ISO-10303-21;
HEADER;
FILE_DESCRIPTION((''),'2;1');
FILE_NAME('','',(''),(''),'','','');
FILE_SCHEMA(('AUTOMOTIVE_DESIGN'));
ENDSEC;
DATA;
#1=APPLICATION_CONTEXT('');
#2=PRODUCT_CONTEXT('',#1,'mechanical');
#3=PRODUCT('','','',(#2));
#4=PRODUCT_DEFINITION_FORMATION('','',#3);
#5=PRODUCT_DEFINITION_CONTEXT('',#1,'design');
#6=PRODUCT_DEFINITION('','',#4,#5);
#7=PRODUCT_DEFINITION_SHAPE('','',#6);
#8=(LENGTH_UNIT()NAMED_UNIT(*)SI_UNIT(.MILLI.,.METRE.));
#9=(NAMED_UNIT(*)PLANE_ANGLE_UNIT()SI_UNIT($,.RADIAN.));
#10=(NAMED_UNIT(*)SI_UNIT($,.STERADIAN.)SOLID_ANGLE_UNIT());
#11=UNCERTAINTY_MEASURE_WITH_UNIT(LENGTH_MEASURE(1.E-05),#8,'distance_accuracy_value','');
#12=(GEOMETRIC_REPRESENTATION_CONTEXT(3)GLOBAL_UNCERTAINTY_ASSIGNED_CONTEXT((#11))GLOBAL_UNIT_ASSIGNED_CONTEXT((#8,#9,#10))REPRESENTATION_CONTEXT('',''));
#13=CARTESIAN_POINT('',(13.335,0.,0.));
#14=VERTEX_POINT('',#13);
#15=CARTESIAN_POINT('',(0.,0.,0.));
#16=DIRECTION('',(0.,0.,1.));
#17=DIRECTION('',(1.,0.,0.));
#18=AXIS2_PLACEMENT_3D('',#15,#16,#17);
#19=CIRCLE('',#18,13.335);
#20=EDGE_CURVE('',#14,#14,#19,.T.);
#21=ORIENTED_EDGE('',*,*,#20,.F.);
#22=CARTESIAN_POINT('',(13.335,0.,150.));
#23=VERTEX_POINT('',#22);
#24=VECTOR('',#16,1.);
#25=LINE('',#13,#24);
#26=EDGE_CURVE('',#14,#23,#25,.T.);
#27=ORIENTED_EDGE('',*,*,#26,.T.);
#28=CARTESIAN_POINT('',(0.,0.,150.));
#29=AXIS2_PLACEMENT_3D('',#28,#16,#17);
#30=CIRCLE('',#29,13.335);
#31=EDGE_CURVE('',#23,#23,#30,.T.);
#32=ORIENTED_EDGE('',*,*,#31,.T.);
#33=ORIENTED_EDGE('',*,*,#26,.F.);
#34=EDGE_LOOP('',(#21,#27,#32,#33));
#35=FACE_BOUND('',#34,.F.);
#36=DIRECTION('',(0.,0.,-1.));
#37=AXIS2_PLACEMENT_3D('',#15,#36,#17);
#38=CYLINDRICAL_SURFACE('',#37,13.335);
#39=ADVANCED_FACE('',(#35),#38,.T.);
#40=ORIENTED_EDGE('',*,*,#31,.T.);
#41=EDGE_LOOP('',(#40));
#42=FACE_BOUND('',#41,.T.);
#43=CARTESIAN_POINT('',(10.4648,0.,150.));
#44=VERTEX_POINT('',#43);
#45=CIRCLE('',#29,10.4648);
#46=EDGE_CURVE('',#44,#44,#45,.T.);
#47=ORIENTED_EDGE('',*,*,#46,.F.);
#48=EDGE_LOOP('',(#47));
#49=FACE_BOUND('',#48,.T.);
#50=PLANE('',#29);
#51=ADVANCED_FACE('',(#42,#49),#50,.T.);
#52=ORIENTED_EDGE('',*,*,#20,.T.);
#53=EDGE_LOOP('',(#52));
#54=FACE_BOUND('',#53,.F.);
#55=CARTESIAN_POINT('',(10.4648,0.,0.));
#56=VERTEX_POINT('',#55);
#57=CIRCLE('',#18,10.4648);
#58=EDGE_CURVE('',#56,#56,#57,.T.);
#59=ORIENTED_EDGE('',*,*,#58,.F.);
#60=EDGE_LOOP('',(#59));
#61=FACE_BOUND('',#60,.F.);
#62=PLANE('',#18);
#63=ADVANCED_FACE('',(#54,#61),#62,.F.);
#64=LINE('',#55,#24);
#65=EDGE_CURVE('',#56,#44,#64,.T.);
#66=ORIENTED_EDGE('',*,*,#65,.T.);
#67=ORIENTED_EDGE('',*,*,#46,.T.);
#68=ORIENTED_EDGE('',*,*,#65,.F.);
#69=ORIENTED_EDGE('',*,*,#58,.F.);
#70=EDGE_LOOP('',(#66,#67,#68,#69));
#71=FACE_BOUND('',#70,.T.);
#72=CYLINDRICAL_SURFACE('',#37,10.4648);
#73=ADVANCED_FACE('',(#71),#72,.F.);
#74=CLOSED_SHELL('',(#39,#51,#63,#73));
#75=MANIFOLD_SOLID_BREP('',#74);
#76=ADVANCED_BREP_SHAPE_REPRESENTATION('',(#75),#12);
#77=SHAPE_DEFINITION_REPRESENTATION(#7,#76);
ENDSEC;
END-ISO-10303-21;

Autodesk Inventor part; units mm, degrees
ref_plane "YZ Plane" through (0, 0, 0) normal (1, 0, 0) x (0, 1, 0)
ref_plane "Plano inicial" through (0, 0, 0) normal (0, 0, 1) x (1, 0, 0)
ref_plane "Plano final" through (0, 0, 150) normal (0, 0, 1) x (1, 0, 0)
sketch "Boceto" plane through (0, 0, 0) normal (0, 0, 1) x (1, 0, 0)
  circle A0 centre (0, 0) radius 10.4648
  circle A1 centre (0, 0) radius 13.335
  dimension "d0" = 26.67
  dimension "d1" = 2.8702
extrude "Cuerpo" add sketch "Boceto" along normal up to surface (150 mm away) from surface at 0
sketch "Sketch3" plane through (0, 0, 0) normal (0, 0, 1) x (1, 0, 0)
  line L0 (0, 0) -> (10, 0)
ref_plane "Work Plane3" through (0, 0, 0) normal (0, -1, 0) x (1, 0, 0)
sketch "Sketch4" plane through (0, 0, 0) normal (0, -1, 0) x (1, 0, 0)
  line L0 (-2, 0) -> (12, 0)
  line L1 (-2, 150) -> (12, 150)
  dimension "d7" = 150
equation "\"d0\" = G_H"
equation "\"d1\" = G_T"
equation "\"d2\" = G_L"
equation "\"G_H\" = 26.67"
equation "\"G_T\" = 2.8702"
equation "\"G_L\" = d7"
equation "\"G_OFFSET_START\" = 0"
equation "\"G_OFFSET_END\" = 0"
properties part number "ANSI - 3/4 x 0.113 - 5,906" material "Acero, suave"
